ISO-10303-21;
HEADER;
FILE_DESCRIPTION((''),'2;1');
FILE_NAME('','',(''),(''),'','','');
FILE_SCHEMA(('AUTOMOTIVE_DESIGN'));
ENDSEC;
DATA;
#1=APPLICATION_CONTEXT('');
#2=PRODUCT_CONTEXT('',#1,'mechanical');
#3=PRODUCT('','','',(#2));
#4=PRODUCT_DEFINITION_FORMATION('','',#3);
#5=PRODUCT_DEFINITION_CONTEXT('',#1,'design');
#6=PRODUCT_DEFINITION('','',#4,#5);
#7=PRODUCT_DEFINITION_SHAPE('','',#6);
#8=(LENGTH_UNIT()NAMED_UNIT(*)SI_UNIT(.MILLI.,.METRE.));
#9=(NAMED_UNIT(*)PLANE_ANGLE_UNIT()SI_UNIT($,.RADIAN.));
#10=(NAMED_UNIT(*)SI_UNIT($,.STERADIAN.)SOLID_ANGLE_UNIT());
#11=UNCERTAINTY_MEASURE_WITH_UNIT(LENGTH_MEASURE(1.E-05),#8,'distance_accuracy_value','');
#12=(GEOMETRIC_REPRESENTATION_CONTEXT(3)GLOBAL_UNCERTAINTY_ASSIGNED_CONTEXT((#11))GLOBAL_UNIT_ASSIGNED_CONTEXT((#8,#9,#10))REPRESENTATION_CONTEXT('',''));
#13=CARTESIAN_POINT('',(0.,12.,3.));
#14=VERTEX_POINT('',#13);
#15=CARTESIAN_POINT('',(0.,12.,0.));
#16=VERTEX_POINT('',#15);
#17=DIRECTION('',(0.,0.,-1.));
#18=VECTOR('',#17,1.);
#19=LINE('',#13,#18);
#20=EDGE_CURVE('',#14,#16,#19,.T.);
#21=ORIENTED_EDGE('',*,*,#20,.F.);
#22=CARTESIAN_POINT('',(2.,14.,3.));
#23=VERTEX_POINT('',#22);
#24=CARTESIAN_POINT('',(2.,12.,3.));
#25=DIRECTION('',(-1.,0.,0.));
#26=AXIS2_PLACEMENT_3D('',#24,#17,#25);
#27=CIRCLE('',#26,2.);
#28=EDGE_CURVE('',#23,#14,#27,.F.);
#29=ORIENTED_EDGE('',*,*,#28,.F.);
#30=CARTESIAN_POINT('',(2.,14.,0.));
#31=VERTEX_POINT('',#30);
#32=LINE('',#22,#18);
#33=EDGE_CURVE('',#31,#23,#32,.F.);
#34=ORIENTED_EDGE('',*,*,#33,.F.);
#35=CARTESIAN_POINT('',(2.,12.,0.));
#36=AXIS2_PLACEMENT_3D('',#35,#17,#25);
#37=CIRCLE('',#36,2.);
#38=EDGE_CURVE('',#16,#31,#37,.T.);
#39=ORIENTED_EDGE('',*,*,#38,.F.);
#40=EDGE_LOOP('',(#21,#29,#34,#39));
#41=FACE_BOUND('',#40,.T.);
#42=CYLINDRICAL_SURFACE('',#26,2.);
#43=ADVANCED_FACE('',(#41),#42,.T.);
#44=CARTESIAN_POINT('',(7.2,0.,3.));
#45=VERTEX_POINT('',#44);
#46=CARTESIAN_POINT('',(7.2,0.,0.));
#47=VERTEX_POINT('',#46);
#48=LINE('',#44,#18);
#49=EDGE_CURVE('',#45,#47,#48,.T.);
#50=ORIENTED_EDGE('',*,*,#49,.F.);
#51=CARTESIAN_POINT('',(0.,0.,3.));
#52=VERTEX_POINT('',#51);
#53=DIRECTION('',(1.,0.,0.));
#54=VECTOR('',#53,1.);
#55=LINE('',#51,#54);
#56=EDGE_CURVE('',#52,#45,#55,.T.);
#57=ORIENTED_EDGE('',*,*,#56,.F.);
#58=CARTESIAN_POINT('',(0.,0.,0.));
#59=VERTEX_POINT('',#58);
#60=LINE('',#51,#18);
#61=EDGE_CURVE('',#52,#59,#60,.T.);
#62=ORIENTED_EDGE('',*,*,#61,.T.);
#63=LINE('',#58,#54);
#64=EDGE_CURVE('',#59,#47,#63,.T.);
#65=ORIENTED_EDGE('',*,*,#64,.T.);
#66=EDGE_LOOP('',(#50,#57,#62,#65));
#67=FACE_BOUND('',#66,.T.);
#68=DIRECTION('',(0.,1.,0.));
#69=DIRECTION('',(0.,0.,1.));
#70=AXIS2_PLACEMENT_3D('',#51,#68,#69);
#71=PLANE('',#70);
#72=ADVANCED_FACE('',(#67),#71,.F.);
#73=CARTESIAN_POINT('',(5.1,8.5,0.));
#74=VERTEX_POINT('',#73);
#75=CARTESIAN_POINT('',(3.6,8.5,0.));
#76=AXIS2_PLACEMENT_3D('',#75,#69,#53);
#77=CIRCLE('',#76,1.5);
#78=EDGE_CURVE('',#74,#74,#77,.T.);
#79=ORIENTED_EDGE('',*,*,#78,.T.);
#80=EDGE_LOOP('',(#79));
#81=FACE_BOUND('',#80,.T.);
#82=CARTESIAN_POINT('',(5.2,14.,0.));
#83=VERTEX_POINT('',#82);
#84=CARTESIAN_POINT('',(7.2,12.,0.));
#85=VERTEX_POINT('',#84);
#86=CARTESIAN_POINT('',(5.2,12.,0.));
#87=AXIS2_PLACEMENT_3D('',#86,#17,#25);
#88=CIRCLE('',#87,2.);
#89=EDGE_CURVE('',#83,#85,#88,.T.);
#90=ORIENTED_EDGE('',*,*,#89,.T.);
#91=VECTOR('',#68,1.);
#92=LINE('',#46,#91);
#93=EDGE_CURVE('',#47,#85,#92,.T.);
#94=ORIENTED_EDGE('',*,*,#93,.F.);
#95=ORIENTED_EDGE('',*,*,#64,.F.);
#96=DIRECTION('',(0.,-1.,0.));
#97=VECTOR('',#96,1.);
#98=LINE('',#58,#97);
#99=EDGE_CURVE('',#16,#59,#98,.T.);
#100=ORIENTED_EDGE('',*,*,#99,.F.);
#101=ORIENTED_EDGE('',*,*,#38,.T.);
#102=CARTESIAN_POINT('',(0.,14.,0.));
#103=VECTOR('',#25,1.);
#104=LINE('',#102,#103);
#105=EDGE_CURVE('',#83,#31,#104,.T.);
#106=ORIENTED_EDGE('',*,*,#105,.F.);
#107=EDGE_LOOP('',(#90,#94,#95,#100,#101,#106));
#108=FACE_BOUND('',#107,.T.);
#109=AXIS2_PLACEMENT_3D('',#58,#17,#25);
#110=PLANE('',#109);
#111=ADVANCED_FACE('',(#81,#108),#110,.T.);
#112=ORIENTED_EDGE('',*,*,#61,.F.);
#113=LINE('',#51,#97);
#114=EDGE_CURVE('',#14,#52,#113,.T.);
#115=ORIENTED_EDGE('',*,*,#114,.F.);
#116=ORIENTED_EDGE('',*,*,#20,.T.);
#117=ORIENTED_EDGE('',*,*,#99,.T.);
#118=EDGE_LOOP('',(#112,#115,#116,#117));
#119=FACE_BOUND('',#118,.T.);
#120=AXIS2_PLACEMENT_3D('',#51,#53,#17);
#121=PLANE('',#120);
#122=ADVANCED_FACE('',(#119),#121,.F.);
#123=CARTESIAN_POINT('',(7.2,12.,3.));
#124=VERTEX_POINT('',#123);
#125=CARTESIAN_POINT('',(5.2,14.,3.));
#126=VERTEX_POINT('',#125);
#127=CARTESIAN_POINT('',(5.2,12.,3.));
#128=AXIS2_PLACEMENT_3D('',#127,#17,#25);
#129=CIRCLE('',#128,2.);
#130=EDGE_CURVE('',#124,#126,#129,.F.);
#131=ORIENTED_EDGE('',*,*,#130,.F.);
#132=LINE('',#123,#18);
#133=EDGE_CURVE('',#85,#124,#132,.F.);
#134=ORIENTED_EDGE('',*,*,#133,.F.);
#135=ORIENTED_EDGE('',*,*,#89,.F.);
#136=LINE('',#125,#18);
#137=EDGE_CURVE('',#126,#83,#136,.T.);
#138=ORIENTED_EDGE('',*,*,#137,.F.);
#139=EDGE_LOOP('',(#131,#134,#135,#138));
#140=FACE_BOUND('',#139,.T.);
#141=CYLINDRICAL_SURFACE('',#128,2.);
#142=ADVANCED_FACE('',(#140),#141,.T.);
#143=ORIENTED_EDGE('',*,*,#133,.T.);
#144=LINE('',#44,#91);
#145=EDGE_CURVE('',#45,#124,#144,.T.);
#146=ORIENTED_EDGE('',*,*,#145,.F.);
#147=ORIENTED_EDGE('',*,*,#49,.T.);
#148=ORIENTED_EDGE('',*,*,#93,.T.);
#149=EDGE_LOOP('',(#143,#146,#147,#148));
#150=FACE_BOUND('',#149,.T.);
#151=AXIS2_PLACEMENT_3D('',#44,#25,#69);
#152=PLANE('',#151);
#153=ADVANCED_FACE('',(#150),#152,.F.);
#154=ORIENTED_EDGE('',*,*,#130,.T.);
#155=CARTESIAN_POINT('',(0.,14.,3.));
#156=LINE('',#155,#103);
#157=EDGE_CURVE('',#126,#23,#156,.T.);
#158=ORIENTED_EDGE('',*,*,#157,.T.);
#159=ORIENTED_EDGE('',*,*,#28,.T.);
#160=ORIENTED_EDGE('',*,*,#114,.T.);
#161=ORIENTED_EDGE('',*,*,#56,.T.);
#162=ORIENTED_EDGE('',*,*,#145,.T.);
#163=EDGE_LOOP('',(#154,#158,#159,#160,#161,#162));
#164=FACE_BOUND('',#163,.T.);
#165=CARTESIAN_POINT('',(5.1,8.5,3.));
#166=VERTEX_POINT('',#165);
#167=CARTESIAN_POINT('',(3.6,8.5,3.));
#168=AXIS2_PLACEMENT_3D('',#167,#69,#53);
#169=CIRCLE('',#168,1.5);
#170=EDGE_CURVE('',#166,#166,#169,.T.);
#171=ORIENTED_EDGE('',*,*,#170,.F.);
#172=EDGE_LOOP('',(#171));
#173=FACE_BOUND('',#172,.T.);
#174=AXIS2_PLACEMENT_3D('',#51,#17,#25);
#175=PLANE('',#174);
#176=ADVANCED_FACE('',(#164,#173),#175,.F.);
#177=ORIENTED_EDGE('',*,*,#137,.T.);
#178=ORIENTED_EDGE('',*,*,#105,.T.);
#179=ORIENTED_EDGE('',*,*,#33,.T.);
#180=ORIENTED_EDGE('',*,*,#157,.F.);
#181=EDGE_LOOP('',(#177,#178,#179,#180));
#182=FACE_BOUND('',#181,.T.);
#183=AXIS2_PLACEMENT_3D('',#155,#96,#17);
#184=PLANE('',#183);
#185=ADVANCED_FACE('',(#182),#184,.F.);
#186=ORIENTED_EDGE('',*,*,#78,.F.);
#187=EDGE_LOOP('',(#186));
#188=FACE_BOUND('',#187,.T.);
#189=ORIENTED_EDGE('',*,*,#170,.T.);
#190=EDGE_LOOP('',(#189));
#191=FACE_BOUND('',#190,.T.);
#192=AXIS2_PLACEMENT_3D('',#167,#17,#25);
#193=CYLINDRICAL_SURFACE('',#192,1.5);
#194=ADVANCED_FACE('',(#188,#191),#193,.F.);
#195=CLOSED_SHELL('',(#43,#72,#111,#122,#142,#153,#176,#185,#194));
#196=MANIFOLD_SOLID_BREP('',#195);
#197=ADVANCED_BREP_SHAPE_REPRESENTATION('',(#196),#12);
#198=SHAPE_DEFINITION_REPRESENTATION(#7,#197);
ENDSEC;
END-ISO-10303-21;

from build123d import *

# Parameters (mm, degrees)
ESBO_O1_W                = 7.2
ESBO_O1_H                = 14
ESBO_O1_R                = 1.5
RESSALTO_EXTRUS_O1_DEPTH = 3
FILETE1_R                = 2


with BuildPart() as part:
    # Esboço1 → Ressalto-extrusão1 (new body)
    with BuildSketch(Plane.XY):
        with Locations((3.6, 7)):
            Rectangle(ESBO_O1_W, ESBO_O1_H)
        with Locations((3.6, 8.5)):
            Circle(ESBO_O1_R, mode=Mode.SUBTRACT)
    extrude(amount=RESSALTO_EXTRUS_O1_DEPTH)

    # Filete1
    filete1_edges = [part.edges().sort_by_distance(p)[0] for p in [
        (0, 14, 1.5),
        (7.2, 14, 1.5),
    ]]
    fillet(filete1_edges, radius=FILETE1_R)


solid = part.part
